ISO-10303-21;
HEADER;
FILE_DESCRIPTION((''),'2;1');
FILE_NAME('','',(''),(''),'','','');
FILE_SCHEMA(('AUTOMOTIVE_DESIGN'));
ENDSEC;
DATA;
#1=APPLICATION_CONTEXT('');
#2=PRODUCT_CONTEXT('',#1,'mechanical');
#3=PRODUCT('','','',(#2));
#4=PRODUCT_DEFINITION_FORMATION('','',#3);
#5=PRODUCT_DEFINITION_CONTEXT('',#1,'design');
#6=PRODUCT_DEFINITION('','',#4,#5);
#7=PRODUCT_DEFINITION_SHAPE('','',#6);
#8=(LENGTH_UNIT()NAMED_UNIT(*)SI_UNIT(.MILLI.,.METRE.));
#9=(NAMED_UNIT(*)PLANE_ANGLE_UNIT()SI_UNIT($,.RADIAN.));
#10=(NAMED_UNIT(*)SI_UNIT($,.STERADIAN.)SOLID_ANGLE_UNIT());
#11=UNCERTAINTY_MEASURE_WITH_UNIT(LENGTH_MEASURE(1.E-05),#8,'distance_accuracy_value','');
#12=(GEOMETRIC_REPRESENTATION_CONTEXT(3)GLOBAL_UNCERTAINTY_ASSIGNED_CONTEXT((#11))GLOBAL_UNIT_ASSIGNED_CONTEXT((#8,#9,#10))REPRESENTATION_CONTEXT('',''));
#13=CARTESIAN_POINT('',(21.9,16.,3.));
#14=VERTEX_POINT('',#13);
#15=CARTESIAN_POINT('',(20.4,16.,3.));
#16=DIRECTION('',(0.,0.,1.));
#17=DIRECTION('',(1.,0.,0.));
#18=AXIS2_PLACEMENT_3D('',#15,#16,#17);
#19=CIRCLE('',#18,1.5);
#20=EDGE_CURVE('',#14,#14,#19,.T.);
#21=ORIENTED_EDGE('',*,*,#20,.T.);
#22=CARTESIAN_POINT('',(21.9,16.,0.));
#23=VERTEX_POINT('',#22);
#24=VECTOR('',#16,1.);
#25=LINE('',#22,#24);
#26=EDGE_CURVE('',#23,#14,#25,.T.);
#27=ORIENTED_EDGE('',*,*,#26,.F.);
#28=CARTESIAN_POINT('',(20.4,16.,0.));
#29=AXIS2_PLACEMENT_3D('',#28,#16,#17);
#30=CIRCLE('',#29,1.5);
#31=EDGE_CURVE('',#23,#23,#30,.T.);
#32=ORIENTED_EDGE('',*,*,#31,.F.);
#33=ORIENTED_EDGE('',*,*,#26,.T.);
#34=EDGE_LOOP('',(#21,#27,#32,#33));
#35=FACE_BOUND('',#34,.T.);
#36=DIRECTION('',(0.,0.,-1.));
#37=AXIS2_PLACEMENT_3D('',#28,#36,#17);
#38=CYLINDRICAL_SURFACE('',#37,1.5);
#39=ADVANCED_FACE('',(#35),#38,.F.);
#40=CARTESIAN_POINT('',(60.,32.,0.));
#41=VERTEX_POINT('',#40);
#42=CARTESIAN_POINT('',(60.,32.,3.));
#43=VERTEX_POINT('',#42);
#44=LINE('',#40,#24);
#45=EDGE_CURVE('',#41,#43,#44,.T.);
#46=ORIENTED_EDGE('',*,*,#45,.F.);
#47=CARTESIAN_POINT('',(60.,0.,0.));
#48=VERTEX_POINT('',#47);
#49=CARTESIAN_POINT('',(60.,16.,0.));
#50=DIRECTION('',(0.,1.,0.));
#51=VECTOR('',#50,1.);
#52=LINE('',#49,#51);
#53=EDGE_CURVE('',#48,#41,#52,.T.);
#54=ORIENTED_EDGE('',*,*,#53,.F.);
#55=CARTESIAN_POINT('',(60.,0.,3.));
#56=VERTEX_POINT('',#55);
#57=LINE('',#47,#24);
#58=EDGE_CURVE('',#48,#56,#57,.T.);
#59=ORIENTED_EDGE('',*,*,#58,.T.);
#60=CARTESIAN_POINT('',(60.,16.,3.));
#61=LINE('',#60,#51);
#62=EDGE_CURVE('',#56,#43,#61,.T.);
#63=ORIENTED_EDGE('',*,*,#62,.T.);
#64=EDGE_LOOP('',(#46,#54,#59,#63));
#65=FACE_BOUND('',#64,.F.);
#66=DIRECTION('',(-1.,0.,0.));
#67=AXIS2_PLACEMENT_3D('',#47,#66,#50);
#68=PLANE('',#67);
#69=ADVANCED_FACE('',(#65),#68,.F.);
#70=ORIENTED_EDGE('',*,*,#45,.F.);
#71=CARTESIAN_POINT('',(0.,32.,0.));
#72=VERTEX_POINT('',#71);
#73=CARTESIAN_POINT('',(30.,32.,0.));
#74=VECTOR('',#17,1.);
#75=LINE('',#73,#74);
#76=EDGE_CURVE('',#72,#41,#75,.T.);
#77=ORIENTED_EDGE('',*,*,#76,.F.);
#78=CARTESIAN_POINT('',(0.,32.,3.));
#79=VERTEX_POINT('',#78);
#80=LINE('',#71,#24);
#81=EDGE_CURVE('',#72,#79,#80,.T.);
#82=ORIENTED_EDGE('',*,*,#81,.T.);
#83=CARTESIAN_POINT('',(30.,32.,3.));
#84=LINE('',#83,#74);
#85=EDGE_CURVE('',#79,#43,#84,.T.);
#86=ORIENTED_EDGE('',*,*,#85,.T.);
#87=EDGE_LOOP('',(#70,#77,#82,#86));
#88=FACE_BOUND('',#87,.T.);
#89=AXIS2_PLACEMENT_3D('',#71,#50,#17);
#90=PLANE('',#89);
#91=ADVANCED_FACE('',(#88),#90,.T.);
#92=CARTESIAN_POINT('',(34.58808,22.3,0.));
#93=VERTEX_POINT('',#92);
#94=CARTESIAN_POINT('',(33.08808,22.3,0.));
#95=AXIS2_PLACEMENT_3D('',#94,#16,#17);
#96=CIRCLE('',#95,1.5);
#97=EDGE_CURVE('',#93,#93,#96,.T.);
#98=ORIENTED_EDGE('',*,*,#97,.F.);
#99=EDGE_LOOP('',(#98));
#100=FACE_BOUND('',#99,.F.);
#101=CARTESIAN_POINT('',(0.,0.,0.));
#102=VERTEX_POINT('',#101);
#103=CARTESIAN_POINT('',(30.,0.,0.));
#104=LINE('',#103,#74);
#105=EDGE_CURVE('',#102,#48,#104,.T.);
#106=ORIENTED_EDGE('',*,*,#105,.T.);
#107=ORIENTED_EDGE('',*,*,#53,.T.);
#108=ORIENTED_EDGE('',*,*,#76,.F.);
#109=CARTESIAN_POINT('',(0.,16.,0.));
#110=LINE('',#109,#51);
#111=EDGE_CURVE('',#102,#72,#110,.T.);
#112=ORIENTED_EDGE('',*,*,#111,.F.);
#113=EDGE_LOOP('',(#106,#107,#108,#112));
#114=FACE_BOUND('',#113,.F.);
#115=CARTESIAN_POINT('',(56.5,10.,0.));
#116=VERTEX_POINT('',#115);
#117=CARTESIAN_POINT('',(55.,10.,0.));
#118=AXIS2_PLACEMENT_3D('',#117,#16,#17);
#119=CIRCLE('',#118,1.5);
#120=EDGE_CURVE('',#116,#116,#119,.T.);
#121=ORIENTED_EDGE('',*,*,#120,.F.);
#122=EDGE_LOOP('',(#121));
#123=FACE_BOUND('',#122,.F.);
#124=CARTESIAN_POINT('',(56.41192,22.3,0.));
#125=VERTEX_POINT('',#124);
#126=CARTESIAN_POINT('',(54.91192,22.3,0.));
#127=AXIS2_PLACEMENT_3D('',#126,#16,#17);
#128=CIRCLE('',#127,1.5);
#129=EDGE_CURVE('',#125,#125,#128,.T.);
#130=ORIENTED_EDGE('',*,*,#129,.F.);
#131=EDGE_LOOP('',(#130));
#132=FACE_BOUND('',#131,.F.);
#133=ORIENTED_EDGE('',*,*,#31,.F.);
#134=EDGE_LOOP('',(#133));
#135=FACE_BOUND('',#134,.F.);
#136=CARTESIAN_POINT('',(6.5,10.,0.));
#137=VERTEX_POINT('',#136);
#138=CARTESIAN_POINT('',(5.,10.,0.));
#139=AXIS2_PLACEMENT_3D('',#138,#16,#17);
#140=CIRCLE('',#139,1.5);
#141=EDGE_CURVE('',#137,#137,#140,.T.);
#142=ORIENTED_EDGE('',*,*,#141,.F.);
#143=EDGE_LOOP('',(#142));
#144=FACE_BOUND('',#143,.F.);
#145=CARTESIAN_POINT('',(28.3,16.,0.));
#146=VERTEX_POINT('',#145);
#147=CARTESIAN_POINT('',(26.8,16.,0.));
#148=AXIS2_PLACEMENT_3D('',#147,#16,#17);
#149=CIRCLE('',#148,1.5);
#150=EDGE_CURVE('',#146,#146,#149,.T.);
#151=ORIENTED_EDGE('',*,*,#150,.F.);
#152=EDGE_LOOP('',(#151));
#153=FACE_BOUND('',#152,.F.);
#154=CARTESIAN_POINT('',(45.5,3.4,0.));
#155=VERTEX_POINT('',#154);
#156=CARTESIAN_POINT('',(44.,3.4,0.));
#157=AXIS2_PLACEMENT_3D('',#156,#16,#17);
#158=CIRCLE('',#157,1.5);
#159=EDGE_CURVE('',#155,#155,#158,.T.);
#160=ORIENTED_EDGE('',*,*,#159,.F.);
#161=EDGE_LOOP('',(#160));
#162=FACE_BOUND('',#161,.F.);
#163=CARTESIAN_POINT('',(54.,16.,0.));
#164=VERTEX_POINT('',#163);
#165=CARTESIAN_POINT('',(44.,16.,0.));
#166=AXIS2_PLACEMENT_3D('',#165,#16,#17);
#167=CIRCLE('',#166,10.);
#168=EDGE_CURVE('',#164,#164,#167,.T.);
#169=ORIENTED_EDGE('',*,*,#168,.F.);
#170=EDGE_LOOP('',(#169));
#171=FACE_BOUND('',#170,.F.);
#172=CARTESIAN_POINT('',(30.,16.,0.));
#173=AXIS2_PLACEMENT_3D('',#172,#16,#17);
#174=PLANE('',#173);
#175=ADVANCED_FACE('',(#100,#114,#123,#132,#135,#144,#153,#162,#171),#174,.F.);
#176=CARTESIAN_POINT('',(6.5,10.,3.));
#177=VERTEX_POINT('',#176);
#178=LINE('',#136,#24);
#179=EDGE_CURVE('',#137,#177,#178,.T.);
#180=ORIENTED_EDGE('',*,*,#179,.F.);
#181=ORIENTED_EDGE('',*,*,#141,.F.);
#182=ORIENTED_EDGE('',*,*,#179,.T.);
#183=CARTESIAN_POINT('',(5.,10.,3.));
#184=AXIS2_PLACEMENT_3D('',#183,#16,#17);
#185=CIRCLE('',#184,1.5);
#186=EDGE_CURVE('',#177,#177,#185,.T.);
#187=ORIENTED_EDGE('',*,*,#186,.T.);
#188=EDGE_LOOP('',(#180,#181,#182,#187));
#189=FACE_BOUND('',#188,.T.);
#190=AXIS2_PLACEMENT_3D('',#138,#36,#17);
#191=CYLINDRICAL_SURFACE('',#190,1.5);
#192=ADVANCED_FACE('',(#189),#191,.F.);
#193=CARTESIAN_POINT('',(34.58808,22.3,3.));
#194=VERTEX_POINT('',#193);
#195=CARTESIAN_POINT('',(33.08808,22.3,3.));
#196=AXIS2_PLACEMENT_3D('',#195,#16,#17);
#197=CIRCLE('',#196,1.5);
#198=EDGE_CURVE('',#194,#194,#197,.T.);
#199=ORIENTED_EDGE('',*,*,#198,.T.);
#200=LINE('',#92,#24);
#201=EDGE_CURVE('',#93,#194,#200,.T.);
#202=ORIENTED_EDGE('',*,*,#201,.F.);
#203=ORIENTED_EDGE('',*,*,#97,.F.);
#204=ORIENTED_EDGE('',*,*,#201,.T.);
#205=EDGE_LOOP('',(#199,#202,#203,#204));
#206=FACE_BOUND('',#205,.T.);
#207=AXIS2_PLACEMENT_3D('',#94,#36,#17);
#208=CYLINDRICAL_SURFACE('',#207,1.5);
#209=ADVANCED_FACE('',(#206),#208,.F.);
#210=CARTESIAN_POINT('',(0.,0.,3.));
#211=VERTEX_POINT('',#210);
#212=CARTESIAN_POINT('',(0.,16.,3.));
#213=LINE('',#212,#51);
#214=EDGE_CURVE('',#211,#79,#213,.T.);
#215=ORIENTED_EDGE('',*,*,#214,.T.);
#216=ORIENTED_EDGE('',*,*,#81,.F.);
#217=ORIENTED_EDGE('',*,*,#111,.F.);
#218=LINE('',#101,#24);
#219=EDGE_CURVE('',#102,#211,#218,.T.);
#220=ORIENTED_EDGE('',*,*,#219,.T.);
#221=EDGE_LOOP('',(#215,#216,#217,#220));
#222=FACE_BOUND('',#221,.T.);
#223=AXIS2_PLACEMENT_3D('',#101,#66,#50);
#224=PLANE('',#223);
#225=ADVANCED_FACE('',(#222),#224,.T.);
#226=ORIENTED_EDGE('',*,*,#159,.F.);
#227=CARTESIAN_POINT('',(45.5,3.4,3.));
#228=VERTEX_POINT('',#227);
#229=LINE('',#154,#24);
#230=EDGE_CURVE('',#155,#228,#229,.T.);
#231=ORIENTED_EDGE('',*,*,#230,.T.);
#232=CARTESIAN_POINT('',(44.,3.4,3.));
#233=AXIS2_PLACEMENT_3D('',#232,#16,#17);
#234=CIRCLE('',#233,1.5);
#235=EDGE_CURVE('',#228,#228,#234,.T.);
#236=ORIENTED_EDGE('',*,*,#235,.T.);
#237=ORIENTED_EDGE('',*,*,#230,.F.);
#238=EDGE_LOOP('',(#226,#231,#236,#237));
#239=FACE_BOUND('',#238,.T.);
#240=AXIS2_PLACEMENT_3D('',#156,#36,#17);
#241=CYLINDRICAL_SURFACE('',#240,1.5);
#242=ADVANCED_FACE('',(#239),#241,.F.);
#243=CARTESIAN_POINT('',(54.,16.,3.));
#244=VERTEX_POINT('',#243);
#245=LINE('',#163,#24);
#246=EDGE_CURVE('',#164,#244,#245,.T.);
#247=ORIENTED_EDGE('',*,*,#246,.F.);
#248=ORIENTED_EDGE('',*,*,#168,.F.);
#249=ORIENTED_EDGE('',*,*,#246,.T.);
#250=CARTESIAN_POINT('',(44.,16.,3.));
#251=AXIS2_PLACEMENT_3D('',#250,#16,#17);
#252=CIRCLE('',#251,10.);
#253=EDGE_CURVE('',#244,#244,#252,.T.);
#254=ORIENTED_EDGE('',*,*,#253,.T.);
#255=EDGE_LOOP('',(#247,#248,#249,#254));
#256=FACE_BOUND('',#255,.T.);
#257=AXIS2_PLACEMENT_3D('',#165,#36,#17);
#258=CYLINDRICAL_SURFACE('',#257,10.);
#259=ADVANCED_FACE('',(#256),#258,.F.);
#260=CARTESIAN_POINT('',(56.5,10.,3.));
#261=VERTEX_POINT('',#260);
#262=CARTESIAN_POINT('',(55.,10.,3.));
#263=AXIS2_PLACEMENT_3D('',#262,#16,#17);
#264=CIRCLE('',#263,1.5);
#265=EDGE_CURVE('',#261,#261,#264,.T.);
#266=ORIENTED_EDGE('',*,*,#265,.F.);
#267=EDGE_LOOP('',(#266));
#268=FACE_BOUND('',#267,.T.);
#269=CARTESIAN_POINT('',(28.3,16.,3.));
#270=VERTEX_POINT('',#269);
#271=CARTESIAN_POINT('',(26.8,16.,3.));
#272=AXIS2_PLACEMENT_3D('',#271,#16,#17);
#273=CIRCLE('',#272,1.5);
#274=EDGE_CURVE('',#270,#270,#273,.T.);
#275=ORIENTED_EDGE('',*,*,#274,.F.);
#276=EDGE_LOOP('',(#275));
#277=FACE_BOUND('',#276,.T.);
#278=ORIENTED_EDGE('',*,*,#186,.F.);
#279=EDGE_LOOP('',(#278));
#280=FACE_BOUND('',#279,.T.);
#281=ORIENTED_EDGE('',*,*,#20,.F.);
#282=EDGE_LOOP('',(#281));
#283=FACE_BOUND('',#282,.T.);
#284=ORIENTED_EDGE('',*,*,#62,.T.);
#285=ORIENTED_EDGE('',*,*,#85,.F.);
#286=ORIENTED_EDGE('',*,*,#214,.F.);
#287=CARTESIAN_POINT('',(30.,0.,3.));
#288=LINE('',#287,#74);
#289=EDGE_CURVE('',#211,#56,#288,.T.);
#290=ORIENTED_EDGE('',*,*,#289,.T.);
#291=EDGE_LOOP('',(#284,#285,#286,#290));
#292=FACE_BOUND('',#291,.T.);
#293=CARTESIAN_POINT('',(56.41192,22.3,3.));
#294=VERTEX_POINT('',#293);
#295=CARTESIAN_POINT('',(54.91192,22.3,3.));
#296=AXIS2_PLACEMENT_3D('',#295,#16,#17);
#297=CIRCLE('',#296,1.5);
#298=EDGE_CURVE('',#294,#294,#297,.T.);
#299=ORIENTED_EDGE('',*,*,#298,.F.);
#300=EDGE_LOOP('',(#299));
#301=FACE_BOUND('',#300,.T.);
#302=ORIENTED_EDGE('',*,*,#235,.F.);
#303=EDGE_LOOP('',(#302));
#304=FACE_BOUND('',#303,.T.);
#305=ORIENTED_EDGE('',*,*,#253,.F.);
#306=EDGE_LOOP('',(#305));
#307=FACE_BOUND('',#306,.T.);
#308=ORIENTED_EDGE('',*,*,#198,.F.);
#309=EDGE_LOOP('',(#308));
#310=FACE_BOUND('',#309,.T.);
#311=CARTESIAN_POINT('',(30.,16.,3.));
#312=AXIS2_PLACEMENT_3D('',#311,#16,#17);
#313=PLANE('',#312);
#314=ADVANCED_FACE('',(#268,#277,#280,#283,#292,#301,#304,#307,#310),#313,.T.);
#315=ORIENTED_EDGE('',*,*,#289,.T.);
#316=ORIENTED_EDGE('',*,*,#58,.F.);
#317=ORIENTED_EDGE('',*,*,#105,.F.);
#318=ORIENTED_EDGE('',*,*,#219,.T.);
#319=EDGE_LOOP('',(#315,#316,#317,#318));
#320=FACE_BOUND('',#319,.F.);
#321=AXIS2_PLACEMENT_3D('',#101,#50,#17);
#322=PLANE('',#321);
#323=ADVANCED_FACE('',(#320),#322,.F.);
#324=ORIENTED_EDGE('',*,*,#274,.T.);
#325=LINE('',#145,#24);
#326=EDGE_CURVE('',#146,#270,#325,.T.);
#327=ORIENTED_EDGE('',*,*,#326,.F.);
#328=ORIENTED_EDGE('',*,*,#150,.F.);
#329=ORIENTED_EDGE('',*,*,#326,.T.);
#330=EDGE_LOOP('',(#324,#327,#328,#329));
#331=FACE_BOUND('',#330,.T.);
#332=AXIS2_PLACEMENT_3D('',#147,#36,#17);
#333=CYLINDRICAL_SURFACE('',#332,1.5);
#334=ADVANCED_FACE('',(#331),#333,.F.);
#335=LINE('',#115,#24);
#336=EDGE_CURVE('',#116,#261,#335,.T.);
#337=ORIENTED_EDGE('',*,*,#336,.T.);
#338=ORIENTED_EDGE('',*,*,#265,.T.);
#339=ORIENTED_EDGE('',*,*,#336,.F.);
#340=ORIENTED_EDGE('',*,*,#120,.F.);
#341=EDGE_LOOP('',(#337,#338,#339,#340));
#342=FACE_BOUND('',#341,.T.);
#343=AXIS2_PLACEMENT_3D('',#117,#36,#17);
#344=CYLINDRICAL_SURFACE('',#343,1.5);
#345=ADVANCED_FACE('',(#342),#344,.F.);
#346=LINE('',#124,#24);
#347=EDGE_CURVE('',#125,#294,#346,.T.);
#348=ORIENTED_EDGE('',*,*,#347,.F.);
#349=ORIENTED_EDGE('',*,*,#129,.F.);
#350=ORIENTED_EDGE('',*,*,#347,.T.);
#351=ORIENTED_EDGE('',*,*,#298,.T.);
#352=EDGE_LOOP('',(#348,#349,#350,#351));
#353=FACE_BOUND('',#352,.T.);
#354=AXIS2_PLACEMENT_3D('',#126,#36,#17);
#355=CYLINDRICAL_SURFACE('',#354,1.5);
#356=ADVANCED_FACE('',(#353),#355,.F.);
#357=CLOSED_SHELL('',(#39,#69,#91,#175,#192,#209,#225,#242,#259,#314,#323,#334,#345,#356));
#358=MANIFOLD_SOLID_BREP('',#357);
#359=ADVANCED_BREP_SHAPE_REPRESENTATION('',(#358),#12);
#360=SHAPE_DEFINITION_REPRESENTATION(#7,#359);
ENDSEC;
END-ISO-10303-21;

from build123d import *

# Parameters (mm, degrees)
SKETCH_W   = 60
SKETCH_H   = 32
SKETCH_R   = 1.5
SKETCH_R_2 = 10
PAD_DEPTH  = 3


with BuildPart() as part:
    # Sketch → Pad (new body)
    with BuildSketch(Plane.XY):
        with Locations((30, 16)):
            Rectangle(SKETCH_W, SKETCH_H)
        with Locations((33.08808, 22.3)):
            Circle(SKETCH_R, mode=Mode.SUBTRACT)
        with Locations((54.91192, 22.3)):
            Circle(SKETCH_R, mode=Mode.SUBTRACT)
        with Locations((44, 3.4)):
            Circle(SKETCH_R, mode=Mode.SUBTRACT)
        with Locations((55, 10)):
            Circle(SKETCH_R, mode=Mode.SUBTRACT)
        with Locations((5, 10)):
            Circle(SKETCH_R, mode=Mode.SUBTRACT)
        with Locations((44, 16)):
            Circle(SKETCH_R_2, mode=Mode.SUBTRACT)
        with Locations((20.4, 16)):
            Circle(SKETCH_R, mode=Mode.SUBTRACT)
        with Locations((26.8, 16)):
            Circle(SKETCH_R, mode=Mode.SUBTRACT)
    extrude(amount=PAD_DEPTH)


solid = part.part
